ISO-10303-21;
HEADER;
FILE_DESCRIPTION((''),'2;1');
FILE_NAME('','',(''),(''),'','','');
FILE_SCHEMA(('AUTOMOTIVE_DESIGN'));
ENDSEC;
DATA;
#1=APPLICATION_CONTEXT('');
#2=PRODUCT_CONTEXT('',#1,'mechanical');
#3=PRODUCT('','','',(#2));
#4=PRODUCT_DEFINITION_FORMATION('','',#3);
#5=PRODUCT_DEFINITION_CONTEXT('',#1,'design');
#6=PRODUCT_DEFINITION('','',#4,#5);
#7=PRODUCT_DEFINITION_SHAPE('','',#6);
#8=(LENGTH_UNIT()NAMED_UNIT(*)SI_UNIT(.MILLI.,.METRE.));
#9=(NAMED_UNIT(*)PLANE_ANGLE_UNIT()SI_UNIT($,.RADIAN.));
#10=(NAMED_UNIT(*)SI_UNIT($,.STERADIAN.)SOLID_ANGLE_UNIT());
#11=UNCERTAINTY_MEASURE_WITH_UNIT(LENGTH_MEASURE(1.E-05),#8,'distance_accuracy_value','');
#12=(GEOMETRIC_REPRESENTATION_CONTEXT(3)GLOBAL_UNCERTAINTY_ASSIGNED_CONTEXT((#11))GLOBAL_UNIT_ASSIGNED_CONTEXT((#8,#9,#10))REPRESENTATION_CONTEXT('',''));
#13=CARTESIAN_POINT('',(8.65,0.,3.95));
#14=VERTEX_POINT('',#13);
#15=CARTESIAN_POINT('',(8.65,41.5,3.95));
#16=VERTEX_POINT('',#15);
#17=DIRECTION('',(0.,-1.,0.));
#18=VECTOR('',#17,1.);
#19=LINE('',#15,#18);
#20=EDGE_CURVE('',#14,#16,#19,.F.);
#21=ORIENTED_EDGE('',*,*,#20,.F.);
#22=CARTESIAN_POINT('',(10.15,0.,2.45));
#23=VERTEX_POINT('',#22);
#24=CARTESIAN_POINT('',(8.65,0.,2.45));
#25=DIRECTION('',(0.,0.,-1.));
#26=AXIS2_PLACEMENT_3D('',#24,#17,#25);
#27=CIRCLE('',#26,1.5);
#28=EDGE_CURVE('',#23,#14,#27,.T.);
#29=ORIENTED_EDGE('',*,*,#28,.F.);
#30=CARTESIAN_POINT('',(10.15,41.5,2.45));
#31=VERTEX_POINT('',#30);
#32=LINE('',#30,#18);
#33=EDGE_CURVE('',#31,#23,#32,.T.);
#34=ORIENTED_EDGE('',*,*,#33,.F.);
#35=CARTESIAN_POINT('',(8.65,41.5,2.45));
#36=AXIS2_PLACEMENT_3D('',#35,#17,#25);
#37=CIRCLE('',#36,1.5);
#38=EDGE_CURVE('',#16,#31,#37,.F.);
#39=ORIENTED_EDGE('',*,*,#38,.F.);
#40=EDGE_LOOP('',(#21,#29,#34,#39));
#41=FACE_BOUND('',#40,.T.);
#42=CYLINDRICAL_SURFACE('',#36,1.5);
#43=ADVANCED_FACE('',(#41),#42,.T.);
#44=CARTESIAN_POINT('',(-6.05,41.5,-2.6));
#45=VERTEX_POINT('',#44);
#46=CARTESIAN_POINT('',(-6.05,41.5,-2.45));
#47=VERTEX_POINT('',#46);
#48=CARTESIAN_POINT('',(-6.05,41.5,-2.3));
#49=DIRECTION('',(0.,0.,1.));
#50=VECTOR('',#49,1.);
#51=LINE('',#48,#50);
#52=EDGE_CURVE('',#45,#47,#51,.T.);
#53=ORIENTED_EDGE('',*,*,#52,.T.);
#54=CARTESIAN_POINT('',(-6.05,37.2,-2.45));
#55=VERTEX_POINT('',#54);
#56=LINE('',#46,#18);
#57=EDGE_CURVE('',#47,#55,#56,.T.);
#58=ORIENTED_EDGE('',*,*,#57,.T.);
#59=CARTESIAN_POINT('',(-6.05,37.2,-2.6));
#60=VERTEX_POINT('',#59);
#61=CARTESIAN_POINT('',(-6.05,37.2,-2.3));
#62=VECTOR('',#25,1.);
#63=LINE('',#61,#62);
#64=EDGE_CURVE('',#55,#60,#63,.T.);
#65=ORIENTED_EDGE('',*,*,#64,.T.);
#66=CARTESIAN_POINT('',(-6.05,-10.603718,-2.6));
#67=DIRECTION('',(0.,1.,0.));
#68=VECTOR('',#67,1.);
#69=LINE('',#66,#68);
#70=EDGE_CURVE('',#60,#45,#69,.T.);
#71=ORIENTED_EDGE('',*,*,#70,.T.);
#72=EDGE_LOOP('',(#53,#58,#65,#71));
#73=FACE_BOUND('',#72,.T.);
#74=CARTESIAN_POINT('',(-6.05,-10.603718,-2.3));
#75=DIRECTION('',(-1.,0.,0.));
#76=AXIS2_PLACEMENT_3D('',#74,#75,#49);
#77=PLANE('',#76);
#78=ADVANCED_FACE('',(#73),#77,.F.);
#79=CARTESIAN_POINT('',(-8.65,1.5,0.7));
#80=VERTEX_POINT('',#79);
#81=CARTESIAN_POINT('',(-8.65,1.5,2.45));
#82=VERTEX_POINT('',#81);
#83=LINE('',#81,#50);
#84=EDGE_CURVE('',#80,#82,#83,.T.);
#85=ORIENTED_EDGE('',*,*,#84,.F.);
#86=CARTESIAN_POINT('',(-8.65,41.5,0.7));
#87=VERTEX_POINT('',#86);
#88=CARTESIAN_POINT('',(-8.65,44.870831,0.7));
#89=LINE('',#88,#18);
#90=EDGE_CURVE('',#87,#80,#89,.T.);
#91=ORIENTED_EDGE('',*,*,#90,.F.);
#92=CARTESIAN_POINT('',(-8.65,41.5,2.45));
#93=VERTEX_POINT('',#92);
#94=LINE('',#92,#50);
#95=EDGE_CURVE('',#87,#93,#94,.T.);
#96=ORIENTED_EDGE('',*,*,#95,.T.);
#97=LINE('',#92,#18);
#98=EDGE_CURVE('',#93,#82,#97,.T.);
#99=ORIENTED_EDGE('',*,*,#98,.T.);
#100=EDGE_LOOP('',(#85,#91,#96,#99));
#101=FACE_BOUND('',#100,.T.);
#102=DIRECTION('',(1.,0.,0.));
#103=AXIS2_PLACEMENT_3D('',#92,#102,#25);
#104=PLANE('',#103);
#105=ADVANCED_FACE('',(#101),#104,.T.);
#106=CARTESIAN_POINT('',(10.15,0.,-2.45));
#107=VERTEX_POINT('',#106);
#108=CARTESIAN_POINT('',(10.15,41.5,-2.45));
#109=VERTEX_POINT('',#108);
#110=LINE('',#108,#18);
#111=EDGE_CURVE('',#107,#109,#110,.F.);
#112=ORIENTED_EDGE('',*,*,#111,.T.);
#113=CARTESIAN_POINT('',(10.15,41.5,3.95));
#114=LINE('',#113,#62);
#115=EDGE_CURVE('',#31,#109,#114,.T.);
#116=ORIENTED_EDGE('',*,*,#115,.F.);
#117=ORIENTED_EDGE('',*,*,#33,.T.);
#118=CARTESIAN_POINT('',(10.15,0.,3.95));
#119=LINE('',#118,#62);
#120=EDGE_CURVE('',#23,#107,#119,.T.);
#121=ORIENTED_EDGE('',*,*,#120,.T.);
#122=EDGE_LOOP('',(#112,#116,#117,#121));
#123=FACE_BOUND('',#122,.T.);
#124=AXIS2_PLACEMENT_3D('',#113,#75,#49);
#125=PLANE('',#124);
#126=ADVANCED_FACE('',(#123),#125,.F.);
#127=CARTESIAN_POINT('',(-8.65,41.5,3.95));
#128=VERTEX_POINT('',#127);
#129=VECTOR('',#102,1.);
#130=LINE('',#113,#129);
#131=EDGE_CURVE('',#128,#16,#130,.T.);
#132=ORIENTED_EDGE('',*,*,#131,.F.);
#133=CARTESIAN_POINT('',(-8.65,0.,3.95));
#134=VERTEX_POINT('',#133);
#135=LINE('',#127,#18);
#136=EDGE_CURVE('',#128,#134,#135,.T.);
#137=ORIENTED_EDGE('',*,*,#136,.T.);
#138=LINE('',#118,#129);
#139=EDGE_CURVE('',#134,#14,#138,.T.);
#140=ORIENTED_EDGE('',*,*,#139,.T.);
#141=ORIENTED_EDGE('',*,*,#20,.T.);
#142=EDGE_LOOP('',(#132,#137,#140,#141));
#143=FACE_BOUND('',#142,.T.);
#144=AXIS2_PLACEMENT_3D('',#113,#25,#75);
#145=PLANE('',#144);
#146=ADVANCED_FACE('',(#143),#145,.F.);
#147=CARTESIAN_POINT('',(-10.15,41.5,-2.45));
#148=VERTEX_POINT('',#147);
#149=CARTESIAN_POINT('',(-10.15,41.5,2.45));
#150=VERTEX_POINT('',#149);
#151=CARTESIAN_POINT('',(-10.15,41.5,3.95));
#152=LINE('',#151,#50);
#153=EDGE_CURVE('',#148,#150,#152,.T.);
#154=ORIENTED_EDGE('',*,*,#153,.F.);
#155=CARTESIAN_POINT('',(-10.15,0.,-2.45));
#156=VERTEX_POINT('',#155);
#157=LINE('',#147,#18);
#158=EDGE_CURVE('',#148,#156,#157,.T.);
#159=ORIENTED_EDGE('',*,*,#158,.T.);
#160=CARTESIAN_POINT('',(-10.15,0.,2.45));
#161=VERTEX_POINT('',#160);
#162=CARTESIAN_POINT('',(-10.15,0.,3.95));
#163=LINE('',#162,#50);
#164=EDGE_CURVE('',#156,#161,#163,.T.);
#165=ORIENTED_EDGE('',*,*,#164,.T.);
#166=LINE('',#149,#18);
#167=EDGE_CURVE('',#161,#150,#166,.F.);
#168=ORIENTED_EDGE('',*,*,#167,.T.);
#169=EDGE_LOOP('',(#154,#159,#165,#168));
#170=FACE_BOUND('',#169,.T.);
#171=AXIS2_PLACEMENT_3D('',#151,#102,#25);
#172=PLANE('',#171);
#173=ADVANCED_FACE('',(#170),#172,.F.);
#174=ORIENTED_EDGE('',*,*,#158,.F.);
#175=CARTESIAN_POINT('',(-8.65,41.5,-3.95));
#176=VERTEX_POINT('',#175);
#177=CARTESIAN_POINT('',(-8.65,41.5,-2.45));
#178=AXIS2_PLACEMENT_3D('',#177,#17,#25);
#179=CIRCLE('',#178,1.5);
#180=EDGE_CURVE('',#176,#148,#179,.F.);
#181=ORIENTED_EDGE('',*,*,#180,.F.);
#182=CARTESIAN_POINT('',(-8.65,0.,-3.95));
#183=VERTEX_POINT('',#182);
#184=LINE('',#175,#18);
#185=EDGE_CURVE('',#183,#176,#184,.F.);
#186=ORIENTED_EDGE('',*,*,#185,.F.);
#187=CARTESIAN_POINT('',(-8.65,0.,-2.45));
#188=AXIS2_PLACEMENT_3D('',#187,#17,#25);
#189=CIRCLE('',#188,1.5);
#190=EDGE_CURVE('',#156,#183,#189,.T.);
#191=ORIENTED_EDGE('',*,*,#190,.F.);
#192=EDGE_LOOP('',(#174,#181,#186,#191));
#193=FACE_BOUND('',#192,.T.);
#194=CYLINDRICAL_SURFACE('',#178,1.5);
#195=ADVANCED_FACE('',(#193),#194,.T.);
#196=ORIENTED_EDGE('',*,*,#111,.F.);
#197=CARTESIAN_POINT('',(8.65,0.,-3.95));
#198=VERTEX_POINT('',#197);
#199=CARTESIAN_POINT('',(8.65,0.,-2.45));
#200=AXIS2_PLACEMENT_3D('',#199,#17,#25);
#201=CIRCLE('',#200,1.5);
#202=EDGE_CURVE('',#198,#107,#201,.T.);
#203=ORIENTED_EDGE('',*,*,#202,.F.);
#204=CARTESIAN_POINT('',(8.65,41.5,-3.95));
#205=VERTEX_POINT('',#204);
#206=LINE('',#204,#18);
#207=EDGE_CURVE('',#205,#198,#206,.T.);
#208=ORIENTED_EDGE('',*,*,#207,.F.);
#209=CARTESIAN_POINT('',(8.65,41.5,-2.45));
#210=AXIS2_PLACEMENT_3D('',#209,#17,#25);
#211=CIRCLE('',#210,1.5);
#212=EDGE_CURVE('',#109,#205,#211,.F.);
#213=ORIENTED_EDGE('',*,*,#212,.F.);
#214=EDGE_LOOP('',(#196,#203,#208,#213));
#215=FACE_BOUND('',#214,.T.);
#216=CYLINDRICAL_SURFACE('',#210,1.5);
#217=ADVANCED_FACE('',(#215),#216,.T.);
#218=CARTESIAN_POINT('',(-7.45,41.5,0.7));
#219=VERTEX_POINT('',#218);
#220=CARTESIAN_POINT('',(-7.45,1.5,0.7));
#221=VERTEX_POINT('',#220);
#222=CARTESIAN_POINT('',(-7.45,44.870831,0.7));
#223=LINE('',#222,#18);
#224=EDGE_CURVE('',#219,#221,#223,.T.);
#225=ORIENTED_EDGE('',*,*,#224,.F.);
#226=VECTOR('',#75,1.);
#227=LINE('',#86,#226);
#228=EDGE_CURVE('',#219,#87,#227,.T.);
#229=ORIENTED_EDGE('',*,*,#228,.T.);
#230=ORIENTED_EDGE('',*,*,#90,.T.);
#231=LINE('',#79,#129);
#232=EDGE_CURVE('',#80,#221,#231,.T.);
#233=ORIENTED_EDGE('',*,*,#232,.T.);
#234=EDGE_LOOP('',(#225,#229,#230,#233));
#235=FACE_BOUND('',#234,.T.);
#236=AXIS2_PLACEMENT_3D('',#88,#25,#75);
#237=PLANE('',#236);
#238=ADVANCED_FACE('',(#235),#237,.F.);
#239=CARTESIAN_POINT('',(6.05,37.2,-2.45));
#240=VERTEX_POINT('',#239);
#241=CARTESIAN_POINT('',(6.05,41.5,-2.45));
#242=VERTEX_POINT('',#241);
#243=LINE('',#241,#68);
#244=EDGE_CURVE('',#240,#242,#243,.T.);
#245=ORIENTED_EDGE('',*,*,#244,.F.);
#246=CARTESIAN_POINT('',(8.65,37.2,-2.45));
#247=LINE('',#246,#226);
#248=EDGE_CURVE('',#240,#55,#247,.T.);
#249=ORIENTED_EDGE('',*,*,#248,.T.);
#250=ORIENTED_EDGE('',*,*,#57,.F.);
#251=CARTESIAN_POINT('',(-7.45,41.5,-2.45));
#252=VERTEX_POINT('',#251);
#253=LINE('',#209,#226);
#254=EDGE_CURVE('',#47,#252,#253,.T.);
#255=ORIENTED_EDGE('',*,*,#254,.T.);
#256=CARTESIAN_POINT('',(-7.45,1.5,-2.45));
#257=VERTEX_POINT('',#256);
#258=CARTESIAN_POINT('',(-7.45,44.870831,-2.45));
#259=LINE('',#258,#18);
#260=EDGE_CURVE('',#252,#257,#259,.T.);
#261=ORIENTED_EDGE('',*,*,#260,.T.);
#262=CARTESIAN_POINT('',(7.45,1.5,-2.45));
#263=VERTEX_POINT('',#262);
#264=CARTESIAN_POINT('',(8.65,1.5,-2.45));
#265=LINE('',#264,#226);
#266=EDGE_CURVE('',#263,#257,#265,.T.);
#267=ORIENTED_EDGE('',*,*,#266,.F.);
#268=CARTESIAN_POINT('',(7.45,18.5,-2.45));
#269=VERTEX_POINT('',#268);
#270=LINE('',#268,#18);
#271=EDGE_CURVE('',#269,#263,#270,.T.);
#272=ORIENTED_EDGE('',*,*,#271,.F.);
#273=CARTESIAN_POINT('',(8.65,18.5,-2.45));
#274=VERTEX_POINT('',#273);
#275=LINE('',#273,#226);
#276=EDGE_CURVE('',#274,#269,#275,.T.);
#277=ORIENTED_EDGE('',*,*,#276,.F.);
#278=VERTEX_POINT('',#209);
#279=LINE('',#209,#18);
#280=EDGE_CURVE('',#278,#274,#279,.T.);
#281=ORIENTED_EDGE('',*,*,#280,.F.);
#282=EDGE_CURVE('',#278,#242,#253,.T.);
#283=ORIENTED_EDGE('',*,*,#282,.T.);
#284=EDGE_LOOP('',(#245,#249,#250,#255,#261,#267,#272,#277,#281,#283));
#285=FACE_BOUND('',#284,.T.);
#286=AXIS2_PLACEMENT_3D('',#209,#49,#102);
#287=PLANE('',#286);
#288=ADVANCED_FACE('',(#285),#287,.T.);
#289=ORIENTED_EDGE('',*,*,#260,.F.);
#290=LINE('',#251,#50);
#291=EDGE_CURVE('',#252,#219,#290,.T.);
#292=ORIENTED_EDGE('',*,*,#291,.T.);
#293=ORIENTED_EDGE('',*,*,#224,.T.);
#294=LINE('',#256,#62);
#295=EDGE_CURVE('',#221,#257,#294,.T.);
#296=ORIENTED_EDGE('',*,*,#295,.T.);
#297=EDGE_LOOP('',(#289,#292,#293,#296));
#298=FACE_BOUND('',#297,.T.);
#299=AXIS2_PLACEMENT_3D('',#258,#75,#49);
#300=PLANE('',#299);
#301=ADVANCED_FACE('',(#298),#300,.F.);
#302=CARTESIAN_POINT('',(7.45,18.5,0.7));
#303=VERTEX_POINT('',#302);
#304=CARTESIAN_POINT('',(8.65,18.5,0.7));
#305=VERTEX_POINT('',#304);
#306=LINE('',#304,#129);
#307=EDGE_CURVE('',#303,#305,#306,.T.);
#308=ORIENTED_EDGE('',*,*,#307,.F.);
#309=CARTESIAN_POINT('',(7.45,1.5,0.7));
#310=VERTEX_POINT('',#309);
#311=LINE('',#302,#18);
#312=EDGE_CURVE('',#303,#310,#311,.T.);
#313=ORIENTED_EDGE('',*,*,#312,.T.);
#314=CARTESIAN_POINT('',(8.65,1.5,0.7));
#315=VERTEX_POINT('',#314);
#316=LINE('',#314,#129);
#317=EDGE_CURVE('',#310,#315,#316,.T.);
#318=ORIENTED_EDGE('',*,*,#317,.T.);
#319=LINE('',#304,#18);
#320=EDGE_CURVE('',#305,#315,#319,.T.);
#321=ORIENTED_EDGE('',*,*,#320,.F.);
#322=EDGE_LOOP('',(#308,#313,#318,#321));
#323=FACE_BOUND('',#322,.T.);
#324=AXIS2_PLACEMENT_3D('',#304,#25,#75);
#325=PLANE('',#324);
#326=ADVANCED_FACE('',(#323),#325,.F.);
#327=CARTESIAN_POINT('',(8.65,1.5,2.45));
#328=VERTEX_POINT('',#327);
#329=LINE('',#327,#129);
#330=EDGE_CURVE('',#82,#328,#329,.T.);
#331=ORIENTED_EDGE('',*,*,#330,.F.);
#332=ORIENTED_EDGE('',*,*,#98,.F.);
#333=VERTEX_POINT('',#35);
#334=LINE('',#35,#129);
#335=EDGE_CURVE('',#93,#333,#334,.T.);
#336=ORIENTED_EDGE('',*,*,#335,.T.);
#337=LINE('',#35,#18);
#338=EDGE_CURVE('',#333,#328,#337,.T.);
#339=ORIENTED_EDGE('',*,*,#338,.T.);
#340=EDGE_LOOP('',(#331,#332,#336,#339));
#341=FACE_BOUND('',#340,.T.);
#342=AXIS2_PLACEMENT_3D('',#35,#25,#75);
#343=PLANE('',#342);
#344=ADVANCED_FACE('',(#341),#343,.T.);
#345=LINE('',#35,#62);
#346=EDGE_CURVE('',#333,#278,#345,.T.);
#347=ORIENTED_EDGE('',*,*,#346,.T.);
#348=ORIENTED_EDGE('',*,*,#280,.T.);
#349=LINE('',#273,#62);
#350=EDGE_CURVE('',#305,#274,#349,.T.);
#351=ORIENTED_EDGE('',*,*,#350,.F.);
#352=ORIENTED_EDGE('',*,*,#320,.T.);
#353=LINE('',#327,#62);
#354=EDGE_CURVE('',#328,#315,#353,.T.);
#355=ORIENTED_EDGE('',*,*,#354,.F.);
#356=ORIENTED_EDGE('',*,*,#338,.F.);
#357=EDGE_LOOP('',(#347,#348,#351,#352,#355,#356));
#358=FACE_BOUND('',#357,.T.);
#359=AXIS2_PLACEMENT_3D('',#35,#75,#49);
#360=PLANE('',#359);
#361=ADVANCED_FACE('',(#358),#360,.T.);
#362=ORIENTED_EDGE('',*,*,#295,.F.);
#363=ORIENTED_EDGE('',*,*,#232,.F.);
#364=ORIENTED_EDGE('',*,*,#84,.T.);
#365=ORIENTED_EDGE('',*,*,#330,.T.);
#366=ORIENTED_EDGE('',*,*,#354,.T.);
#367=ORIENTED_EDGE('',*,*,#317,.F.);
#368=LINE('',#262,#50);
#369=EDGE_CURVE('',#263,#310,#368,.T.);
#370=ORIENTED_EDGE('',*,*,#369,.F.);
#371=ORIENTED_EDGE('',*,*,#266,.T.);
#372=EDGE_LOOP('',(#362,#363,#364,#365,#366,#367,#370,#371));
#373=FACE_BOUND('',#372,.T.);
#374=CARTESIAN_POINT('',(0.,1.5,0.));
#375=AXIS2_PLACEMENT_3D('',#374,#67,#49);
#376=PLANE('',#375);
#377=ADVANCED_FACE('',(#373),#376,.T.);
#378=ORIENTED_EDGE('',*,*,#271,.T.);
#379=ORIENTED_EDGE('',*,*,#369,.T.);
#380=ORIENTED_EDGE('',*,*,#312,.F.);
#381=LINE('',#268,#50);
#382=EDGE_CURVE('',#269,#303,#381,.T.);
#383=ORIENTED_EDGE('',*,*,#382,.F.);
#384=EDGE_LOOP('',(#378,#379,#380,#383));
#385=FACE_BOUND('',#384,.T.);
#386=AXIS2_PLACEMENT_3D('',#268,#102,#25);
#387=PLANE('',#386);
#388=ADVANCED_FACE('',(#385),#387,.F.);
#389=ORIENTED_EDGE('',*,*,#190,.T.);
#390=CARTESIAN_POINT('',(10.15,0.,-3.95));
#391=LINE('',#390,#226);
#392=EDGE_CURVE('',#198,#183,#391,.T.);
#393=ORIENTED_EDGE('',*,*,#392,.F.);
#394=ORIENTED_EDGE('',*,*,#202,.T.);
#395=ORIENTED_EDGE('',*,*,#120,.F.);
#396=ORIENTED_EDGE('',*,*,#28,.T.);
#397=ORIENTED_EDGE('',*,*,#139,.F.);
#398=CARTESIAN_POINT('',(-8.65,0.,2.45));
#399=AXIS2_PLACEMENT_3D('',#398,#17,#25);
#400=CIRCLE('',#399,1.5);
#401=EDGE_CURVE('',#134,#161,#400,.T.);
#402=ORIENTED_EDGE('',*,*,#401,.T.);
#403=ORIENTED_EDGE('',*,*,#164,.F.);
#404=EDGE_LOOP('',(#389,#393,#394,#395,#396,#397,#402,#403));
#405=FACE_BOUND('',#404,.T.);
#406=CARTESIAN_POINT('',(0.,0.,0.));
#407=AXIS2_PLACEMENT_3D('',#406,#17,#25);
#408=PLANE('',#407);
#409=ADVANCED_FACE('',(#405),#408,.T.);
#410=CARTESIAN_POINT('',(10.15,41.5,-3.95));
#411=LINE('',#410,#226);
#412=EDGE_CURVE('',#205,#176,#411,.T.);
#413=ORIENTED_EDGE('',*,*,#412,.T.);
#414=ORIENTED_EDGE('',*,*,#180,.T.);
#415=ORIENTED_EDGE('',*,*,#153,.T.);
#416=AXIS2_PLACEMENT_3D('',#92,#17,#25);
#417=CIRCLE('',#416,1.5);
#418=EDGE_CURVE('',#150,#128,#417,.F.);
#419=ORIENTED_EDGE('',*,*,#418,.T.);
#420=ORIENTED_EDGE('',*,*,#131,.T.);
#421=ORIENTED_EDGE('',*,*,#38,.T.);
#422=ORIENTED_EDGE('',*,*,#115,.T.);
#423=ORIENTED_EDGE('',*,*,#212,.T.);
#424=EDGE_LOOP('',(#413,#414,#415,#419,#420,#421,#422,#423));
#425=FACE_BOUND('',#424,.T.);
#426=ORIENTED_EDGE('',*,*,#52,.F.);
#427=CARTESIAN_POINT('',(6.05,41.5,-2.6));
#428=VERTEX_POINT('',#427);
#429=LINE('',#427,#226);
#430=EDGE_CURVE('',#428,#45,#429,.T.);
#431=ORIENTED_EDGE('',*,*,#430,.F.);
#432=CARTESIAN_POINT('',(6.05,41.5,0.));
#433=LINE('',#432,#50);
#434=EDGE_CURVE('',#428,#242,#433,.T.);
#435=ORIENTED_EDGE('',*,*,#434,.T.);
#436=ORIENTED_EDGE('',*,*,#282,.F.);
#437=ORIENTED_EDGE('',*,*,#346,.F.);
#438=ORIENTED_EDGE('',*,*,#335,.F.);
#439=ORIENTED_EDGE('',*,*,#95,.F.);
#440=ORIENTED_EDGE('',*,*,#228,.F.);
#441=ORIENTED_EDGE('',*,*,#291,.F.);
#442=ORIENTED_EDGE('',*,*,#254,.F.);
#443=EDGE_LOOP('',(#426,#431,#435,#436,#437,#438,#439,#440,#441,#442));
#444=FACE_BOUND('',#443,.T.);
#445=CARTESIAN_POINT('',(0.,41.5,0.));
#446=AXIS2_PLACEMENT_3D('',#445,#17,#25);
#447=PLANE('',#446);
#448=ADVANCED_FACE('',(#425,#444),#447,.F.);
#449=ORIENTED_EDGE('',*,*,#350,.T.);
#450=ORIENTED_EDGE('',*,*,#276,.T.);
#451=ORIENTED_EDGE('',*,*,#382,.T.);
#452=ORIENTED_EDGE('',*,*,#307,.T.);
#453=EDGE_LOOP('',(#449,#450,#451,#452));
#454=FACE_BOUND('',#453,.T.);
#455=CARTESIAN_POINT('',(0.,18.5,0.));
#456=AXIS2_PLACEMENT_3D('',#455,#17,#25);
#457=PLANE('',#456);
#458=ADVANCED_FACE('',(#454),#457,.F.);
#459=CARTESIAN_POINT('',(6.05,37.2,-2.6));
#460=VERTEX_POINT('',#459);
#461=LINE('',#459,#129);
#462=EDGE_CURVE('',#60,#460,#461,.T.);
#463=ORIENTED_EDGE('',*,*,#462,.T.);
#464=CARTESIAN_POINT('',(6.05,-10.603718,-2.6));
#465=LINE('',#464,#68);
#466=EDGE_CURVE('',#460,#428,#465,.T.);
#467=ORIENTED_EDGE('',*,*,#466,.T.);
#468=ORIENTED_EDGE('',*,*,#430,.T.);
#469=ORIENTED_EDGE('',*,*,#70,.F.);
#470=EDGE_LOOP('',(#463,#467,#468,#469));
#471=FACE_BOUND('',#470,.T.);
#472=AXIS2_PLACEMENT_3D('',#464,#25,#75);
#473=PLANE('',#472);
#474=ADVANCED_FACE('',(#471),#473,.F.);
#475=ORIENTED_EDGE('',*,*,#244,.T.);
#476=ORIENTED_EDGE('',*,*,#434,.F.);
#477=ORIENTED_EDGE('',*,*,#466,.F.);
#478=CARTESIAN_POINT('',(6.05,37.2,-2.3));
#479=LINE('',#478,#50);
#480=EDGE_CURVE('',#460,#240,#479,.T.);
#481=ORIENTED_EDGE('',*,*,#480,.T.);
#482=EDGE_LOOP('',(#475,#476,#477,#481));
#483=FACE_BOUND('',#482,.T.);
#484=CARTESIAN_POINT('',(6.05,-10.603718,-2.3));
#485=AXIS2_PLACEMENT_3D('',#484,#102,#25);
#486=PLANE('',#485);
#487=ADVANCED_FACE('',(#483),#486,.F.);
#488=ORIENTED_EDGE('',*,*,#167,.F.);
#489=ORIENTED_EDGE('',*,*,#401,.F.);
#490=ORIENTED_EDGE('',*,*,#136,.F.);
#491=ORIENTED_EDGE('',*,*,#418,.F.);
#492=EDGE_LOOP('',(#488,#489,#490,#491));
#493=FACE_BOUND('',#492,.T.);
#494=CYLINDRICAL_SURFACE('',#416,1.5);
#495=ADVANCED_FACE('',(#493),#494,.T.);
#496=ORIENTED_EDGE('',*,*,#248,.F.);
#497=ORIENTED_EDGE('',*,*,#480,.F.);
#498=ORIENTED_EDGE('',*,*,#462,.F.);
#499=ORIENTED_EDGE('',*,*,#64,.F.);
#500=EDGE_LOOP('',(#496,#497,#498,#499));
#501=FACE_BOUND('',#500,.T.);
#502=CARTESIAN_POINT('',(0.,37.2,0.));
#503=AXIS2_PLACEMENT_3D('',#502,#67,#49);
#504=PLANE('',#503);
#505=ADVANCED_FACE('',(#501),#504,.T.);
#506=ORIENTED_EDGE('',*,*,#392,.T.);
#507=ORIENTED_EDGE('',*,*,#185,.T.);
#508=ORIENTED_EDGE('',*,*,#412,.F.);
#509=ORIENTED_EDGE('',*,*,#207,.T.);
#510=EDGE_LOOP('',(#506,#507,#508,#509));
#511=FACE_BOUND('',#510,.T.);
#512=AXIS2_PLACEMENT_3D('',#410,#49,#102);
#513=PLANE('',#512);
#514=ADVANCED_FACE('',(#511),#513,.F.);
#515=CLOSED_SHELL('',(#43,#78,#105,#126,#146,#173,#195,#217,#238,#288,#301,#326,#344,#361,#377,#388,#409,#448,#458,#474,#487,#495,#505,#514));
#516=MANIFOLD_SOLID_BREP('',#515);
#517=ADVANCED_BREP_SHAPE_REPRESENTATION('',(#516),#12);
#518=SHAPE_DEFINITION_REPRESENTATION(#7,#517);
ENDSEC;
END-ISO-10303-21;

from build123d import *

# Parameters (mm, degrees)
SKETCH1_W           = 20.3
SKETCH1_H           = 7.9
SKETCH1_W_2         = 17.3
SKETCH1_H_2         = 4.9
BOSS_EXTRUDE1_DEPTH = 41.5
SKETCH2_W           = 20.3
SKETCH2_H           = 7.9
BOSS_EXTRUDE2_DEPTH = 1.5
SKETCH3_W           = 1.2
SKETCH3_H           = 3.15
BOSS_EXTRUDE3_DEPTH = 40
SKETCH4_W           = 1.2
SKETCH4_H           = 3.15
BOSS_EXTRUDE4_DEPTH = 17
SKETCH5_W           = 12.1
SKETCH5_H           = 0.3
CUT_EXTRUDE1_DEPTH  = 4.3
FILLET1_R           = 1.5


with BuildPart() as part:
    # Sketch1 → Boss-Extrude1 (new body)
    with BuildSketch(Plane(origin=(0, 0, 0), x_dir=(1, 0, 0), z_dir=(0, 1, 0))):
        Rectangle(SKETCH1_W, SKETCH1_H)
        Rectangle(SKETCH1_W_2, SKETCH1_H_2, mode=Mode.SUBTRACT)
    extrude(amount=BOSS_EXTRUDE1_DEPTH)

    # Sketch2 → Boss-Extrude2 (add)
    with BuildSketch(Plane.XZ):
        Rectangle(SKETCH2_W, SKETCH2_H)
    extrude(amount=-BOSS_EXTRUDE2_DEPTH)

    # Sketch3 → Boss-Extrude3 (add)
    with BuildSketch(Plane(origin=(0, 1.5, 0), x_dir=(1, 0, 0), z_dir=(0, 1, 0))):
        with Locations((-8.05, 0.875)):
            Rectangle(SKETCH3_W, SKETCH3_H)
    extrude(amount=BOSS_EXTRUDE3_DEPTH)

    # Sketch4 → Boss-Extrude4 (add)
    with BuildSketch(Plane(origin=(0, 1.5, 0), x_dir=(1, 0, 0), z_dir=(0, 1, 0))):
        with Locations((8.05, 0.875)):
            Rectangle(SKETCH4_W, SKETCH4_H)
    extrude(amount=BOSS_EXTRUDE4_DEPTH)

    # Sketch5 → Cut-Extrude1 (cut)
    with BuildSketch(Plane(origin=(0, 41.5, 0), x_dir=(1, 0, 0), z_dir=(0, 1, 0))):
        with Locations((0, 2.45)):
            Rectangle(SKETCH5_W, SKETCH5_H)
    extrude(amount=-CUT_EXTRUDE1_DEPTH, mode=Mode.SUBTRACT)

    # Fillet1
    fillet1_edges = [part.edges().sort_by_distance(p)[0] for p in [
        (-10.15, 20.75, 3.95),
        (-10.15, 20.75, -3.95),
        (10.15, 20.75, -3.95),
        (10.15, 20.75, 3.95),
    ]]
    fillet(fillet1_edges, radius=FILLET1_R)


solid = part.part
